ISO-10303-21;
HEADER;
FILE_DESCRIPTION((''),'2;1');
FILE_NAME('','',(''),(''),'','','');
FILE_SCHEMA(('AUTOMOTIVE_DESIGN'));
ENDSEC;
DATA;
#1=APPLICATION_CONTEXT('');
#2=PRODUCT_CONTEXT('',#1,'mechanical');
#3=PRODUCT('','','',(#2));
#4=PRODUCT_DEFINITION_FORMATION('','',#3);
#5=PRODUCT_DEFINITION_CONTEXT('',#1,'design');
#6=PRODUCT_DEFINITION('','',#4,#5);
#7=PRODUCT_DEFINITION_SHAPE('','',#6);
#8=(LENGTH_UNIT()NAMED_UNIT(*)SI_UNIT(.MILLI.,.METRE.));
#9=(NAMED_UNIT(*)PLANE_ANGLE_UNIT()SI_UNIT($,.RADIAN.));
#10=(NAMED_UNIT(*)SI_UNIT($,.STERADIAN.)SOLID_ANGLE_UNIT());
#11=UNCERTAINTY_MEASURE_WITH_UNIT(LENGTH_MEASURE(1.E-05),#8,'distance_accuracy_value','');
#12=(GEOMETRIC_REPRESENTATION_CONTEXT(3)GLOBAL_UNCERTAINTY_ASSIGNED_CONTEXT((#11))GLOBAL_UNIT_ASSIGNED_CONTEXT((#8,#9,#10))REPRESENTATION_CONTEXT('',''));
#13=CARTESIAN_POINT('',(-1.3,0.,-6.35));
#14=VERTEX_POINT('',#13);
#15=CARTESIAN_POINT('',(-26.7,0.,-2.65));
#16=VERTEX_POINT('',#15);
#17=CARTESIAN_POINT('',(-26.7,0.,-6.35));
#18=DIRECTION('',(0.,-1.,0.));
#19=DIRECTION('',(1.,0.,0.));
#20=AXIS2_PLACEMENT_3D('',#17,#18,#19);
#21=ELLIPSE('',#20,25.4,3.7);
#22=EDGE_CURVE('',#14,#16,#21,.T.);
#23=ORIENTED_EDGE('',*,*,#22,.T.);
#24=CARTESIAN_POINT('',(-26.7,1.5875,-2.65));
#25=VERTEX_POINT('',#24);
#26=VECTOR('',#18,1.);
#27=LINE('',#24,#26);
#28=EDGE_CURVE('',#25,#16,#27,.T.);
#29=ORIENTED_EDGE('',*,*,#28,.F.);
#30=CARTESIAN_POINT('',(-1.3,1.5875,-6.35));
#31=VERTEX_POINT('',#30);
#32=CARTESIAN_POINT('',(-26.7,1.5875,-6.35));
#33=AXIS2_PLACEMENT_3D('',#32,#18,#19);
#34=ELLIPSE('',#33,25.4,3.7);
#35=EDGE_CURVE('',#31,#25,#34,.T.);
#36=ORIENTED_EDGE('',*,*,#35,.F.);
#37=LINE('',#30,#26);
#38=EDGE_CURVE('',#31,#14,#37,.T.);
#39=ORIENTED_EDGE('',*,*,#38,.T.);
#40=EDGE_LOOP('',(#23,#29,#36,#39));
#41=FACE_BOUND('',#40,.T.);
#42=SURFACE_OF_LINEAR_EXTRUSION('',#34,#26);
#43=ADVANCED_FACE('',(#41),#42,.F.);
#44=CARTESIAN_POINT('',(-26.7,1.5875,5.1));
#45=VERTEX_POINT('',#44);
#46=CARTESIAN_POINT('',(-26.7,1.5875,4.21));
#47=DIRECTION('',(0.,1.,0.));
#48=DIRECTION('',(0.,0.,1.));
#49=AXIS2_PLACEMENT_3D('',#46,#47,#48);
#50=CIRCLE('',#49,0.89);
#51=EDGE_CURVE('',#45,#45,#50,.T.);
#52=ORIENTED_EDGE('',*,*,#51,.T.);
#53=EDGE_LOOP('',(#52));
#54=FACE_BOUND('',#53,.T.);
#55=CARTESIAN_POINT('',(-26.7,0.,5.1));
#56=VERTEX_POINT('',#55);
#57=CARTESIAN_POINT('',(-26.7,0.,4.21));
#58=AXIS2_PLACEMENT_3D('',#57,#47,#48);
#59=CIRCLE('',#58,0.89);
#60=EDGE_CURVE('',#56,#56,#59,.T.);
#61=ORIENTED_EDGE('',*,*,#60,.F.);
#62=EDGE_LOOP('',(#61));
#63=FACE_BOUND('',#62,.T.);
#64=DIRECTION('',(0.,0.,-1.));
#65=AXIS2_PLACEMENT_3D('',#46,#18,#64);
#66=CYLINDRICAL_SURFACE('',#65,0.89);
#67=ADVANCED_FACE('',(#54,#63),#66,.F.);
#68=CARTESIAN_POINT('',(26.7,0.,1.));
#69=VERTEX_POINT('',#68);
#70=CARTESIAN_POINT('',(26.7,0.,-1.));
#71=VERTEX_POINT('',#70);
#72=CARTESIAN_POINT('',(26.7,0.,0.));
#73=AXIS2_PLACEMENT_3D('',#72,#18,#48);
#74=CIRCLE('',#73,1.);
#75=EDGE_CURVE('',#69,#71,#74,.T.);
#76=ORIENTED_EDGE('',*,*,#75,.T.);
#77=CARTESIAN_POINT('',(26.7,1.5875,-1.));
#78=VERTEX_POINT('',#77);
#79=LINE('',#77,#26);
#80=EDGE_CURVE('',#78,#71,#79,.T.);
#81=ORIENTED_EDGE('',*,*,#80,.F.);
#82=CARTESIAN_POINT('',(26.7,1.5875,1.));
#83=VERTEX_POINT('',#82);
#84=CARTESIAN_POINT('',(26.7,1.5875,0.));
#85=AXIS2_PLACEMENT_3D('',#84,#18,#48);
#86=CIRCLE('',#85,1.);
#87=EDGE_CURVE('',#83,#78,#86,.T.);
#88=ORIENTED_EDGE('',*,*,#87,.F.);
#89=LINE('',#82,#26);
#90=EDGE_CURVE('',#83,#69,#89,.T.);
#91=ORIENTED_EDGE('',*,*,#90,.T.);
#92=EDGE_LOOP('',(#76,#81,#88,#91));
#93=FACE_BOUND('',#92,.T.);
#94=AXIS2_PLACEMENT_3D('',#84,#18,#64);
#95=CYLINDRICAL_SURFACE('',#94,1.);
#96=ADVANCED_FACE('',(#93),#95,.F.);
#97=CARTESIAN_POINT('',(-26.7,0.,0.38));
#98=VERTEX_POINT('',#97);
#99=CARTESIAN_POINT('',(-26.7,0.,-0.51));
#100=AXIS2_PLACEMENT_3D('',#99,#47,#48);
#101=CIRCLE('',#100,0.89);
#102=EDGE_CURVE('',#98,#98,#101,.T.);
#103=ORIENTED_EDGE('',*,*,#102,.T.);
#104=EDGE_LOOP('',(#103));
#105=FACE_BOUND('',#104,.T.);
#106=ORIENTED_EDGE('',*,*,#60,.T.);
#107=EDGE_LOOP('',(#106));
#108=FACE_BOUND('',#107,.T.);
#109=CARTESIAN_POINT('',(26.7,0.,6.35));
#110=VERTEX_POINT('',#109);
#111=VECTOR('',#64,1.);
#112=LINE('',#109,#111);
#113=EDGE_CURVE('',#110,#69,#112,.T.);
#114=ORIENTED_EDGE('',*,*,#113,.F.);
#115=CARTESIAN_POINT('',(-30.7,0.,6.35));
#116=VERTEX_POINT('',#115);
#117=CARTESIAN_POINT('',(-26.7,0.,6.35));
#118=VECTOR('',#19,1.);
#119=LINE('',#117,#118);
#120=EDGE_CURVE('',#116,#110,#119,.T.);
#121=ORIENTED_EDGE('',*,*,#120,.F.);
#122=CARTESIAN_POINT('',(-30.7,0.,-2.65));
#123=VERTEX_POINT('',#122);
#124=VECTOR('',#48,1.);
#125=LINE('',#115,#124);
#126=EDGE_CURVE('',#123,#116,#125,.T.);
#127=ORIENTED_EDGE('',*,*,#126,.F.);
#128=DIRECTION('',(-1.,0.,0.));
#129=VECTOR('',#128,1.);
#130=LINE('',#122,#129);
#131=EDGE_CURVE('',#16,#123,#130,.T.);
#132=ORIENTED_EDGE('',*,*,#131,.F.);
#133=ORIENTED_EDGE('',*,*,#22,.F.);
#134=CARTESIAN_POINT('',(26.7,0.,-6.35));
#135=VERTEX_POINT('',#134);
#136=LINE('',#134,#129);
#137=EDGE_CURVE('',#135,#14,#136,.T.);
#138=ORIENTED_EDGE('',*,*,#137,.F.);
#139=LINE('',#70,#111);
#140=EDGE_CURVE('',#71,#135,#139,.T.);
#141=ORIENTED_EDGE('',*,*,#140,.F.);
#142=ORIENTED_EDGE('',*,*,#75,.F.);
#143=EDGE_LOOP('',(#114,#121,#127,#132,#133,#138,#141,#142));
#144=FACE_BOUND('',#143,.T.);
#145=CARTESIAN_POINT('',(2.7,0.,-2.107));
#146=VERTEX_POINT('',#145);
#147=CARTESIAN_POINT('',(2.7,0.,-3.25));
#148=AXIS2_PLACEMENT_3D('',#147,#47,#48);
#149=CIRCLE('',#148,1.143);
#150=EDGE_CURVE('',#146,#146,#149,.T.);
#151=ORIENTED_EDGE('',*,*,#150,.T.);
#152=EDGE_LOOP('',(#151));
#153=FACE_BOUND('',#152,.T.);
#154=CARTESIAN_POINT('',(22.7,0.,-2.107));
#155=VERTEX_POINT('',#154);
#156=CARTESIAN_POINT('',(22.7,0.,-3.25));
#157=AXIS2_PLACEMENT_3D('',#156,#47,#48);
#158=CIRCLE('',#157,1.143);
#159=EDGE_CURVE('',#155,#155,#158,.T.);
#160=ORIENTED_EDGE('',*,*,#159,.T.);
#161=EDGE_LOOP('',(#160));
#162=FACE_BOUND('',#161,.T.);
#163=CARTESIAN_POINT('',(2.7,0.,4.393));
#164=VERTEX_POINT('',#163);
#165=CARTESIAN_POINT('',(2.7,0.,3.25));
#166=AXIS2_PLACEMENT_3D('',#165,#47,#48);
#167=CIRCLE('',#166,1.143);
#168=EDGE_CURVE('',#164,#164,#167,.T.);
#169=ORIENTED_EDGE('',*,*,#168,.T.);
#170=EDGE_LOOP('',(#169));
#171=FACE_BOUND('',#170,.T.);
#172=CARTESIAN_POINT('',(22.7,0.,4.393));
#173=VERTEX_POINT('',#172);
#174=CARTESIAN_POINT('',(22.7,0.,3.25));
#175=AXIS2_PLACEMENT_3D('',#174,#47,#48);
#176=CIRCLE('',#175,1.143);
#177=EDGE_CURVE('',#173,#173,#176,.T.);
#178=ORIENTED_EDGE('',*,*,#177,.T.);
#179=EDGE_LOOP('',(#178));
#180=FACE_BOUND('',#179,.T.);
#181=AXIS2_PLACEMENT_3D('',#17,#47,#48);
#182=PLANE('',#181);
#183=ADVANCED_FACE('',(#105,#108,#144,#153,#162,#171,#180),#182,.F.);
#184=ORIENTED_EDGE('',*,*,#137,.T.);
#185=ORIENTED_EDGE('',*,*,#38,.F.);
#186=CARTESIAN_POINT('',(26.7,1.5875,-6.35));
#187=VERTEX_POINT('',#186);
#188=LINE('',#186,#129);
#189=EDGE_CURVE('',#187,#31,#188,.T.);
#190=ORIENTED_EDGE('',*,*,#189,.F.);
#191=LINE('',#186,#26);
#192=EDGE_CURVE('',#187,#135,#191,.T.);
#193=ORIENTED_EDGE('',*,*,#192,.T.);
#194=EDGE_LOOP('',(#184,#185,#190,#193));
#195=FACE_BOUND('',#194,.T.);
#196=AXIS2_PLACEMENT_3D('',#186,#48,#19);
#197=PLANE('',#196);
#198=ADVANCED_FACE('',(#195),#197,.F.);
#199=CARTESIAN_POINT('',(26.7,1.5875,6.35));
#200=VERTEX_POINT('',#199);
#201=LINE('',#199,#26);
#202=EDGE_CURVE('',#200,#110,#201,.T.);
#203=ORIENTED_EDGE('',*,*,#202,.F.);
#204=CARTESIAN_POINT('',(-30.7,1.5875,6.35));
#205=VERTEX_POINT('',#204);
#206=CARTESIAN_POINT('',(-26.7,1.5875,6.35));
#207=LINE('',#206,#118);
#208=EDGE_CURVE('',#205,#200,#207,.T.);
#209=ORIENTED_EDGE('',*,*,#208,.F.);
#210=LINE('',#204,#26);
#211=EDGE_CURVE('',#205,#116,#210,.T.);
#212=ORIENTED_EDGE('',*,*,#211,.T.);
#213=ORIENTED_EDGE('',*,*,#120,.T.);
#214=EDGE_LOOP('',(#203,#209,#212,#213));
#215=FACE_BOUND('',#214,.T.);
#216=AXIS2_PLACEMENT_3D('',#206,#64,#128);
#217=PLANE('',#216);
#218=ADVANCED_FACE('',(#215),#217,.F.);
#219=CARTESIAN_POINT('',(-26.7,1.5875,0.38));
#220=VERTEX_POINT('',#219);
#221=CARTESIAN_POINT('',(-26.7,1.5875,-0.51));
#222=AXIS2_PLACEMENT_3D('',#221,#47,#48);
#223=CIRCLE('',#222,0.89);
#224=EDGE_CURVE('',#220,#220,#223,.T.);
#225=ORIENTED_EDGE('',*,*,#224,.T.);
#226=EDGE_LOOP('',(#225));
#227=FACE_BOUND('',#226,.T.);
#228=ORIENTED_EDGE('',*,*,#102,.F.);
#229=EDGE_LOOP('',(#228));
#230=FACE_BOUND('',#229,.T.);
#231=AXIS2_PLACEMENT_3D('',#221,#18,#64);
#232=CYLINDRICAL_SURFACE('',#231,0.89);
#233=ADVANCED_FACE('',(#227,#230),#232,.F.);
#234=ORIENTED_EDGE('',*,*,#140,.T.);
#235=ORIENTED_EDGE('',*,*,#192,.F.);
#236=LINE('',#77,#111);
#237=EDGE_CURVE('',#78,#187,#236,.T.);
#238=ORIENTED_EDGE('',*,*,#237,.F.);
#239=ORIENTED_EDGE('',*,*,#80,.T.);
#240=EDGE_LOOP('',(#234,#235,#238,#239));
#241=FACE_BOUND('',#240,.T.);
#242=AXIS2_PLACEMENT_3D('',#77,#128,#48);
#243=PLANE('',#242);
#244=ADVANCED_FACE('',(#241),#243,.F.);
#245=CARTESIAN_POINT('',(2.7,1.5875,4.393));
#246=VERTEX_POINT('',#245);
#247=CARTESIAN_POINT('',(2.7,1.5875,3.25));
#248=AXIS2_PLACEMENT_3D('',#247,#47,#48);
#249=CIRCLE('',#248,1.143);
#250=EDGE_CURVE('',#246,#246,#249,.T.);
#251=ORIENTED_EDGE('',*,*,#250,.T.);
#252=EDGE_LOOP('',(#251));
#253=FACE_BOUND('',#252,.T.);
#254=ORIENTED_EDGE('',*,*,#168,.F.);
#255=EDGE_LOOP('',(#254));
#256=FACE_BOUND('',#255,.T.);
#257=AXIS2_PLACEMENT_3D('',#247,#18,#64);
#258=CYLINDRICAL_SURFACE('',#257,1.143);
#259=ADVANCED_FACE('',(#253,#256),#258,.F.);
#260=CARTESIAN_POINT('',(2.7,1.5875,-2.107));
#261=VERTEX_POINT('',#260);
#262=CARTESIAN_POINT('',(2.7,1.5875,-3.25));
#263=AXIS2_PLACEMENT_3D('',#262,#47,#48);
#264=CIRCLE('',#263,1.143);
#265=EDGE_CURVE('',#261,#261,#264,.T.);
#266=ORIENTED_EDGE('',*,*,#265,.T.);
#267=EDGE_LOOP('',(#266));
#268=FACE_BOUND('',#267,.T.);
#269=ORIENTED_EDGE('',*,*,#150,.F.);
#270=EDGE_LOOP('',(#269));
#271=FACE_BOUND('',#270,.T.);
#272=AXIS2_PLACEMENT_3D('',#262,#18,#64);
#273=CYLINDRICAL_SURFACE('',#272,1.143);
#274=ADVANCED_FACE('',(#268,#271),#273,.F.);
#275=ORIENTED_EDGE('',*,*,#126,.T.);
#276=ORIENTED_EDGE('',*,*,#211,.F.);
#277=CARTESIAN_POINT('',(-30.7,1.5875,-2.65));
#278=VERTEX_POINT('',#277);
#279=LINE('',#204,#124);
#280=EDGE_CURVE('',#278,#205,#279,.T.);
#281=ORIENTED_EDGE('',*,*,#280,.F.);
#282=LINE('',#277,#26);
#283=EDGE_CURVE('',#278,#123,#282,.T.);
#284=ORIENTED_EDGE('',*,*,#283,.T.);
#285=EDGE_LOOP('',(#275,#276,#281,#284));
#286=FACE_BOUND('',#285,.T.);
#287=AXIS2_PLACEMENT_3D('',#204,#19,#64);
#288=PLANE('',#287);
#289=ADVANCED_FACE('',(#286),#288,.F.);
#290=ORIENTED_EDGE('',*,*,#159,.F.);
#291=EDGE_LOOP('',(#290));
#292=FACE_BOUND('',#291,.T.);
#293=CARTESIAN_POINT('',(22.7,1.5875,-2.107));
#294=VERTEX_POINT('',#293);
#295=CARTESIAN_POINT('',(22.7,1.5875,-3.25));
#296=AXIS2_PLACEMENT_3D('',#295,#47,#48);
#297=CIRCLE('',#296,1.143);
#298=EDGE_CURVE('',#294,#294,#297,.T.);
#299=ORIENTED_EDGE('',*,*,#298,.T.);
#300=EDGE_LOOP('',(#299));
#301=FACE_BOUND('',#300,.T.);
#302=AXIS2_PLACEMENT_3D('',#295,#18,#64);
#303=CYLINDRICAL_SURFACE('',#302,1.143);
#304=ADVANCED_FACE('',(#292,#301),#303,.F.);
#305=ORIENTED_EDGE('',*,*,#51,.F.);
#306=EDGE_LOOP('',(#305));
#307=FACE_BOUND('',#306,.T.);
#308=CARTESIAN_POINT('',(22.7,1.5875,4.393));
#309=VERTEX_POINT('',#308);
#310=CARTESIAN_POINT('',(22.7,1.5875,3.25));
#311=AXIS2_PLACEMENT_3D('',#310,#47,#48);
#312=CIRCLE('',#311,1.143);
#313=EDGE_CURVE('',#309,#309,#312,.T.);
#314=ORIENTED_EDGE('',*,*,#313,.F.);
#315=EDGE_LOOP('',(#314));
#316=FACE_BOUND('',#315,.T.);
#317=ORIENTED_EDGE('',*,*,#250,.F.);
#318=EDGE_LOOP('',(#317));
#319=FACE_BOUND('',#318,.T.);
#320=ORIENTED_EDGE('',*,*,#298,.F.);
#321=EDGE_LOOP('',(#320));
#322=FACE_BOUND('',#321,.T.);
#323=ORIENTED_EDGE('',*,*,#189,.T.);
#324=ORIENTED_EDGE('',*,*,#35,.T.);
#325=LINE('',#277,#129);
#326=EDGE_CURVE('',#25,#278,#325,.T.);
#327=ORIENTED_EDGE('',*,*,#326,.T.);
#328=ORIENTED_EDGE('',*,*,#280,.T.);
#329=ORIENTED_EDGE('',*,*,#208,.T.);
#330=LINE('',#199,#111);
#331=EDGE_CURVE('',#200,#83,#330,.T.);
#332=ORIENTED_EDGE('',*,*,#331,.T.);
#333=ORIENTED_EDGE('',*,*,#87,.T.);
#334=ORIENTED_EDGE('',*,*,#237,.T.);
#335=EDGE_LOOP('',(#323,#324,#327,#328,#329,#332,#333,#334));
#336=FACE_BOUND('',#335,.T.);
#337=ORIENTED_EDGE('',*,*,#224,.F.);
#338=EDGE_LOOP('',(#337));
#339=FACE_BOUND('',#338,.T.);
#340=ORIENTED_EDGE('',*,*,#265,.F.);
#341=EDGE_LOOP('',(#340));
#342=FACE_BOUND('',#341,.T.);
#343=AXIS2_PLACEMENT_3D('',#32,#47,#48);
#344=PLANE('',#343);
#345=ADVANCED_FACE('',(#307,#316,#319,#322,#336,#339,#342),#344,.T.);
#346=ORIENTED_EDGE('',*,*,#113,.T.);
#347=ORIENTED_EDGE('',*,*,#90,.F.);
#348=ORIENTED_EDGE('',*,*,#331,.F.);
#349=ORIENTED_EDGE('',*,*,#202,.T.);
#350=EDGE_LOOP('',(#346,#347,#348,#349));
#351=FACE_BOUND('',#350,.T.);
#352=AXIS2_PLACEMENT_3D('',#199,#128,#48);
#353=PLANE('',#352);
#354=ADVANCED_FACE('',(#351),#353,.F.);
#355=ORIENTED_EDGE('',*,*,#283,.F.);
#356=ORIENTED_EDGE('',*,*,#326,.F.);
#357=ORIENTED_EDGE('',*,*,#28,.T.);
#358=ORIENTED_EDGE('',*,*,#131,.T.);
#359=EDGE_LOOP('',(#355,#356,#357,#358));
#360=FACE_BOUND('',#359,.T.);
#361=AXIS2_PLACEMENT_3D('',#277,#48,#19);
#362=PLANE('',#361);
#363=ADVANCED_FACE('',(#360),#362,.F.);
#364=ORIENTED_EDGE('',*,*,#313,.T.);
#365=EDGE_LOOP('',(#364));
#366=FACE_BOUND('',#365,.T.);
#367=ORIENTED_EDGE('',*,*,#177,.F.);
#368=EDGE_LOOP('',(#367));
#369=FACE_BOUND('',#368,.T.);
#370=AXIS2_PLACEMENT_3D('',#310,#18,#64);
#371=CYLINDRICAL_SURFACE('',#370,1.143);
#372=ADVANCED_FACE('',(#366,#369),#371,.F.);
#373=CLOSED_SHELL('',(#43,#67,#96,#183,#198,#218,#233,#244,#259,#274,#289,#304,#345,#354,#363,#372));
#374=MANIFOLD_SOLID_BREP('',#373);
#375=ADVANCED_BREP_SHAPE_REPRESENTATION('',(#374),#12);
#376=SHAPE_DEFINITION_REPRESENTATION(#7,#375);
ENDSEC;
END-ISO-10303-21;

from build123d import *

# Parameters (mm, degrees)
SKETCH1_R           = 0.89
SKETCH1_R_2         = 1.143
BOSS_EXTRUDE1_DEPTH = 1.5875


with BuildPart() as part:
    # Sketch1 → Boss-Extrude1 (new body)
    with BuildSketch(Plane(origin=(0, 0, 0), x_dir=(1, 0, 0), z_dir=(0, 1, 0))):
        with BuildLine():
            Line((-26.7, -6.35), (26.7, -6.35))
            Line((26.7, -6.35), (26.7, -1))
            ThreePointArc((26.7, -1), (25.7, 0), (26.7, 1))
            Line((26.7, 1), (26.7, 6.35))
            Line((26.7, 6.35), (-1.3, 6.35))
            add(Edge.make_bspline(
                [(-26.7, 2.65), (-1.3, 2.65), (-1.3, 6.35)],
                knots=[4.71238898, 4.71238898, 4.71238898, 6.283185307, 6.283185307, 6.283185307], degree=2, weights=[1, 0.707106781, 1]))
            Line((-26.7, 2.65), (-30.7, 2.65))
            Line((-30.7, 2.65), (-30.7, -6.35))
            Line((-30.7, -6.35), (-26.7, -6.35))
        make_face()
        with Locations(Location((-26.7, 0.51, 0), (0, 0, 270))):
            Circle(SKETCH1_R, mode=Mode.SUBTRACT)
        with Locations(Location((-26.7, -4.21, 0), (0, 0, 270))):
            Circle(SKETCH1_R, mode=Mode.SUBTRACT)
        with Locations(Location((2.7, 3.25, 0), (0, 0, 270))):
            Circle(SKETCH1_R_2, mode=Mode.SUBTRACT)
        with Locations(Location((2.7, -3.25, 0), (0, 0, 270))):
            Circle(SKETCH1_R_2, mode=Mode.SUBTRACT)
        with Locations(Location((22.7, 3.25, 0), (0, 0, 270))):
            Circle(SKETCH1_R_2, mode=Mode.SUBTRACT)
        with Locations(Location((22.7, -3.25, 0), (0, 0, 270))):
            Circle(SKETCH1_R_2, mode=Mode.SUBTRACT)
    extrude(amount=BOSS_EXTRUDE1_DEPTH)


solid = part.part
